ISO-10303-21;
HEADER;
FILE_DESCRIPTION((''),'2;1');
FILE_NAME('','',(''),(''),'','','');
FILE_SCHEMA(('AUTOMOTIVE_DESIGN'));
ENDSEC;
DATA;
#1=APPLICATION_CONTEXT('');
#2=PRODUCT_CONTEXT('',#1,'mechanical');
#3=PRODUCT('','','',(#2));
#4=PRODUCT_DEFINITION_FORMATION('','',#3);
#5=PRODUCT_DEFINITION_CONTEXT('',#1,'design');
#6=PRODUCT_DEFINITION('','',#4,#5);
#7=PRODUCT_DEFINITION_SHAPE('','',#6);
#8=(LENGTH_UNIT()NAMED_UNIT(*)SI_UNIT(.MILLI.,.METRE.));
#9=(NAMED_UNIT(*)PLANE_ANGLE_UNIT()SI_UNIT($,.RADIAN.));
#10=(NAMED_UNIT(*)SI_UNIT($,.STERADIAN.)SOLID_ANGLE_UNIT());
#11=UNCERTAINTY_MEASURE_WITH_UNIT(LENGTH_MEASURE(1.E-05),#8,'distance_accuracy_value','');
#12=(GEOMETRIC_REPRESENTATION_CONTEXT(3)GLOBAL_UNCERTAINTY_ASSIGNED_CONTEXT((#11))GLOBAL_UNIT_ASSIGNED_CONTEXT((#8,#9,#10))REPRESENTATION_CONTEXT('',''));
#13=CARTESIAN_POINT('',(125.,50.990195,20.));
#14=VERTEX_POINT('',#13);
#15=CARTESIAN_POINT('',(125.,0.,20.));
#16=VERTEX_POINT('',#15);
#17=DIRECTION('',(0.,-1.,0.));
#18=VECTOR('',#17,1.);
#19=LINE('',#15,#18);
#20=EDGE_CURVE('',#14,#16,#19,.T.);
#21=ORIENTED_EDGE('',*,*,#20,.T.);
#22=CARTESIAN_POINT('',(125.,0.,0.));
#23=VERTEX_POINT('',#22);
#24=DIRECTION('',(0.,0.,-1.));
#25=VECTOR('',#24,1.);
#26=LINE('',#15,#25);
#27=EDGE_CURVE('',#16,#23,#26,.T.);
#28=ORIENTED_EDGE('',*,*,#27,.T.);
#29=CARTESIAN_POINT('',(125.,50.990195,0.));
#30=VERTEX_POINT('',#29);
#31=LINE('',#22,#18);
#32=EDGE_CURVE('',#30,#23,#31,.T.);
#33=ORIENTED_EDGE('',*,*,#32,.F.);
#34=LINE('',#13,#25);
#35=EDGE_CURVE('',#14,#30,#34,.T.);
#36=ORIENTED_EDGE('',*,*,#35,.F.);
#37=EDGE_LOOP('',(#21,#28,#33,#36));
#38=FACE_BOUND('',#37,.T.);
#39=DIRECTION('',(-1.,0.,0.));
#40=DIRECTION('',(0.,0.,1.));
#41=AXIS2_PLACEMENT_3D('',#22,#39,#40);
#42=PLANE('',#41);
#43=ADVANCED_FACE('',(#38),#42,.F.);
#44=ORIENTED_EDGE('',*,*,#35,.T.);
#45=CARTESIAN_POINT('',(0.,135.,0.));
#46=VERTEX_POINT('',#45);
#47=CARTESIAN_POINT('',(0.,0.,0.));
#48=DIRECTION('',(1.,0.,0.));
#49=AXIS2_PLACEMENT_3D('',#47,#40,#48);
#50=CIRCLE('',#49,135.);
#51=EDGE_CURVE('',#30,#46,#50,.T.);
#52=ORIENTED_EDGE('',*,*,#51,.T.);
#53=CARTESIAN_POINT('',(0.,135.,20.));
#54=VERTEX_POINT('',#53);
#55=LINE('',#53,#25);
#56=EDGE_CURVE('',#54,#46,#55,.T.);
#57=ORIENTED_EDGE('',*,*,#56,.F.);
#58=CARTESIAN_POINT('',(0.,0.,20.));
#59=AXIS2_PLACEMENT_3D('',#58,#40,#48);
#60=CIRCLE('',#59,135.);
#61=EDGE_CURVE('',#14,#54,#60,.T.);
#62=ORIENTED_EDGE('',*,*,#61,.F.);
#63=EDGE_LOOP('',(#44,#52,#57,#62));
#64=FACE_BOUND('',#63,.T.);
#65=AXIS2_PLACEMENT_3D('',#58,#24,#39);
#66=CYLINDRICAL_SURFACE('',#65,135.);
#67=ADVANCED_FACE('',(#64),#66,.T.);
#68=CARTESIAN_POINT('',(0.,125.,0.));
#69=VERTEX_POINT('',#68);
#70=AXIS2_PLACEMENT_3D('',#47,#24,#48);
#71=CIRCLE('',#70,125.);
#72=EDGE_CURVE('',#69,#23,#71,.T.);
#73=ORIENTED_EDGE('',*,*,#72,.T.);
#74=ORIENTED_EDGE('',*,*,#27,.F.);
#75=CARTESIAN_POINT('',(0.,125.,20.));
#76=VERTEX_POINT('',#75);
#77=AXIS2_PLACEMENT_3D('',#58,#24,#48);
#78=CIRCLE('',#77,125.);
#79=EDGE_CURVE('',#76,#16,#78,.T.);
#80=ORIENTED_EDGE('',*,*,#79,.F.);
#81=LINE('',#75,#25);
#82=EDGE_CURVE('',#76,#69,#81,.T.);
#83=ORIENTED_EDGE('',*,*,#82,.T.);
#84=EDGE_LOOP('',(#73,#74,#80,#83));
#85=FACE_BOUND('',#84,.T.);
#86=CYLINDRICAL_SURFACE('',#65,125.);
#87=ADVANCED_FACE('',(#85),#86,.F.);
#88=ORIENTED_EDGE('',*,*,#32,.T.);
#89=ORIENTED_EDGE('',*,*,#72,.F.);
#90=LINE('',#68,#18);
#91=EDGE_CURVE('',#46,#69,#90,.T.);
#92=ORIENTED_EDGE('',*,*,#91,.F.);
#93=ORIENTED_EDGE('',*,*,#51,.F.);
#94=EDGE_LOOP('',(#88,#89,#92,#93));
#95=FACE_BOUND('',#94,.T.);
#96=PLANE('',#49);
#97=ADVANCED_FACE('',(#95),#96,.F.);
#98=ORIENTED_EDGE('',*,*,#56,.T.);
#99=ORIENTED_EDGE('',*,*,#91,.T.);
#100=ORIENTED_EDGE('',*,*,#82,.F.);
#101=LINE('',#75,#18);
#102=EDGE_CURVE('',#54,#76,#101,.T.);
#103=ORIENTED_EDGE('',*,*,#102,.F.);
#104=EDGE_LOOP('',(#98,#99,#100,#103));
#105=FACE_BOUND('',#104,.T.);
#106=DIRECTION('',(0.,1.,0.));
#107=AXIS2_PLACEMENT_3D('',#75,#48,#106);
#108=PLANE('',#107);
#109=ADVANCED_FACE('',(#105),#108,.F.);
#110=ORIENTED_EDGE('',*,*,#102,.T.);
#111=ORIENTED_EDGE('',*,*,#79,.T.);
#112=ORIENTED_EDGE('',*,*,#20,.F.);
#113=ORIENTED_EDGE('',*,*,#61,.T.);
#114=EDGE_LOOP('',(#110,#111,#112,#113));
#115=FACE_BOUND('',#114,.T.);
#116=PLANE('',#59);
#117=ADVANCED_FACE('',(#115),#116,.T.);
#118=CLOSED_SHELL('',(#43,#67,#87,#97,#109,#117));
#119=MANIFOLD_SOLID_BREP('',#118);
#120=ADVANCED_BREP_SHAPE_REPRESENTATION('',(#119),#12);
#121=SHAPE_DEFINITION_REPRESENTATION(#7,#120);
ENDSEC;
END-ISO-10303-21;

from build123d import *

# Parameters (mm, degrees)
BOSS_EXTRU_1_DEPTH           = 20
ENL_V_MAT_EXTRU_1_DEPTH      = 192.963538205
ENL_V_MAT_EXTRU_1_DEPTH_BACK = 192.963538205
ESQUISSE2_W                  = 10
ESQUISSE2_H                  = 80


with BuildPart() as part:
    # Esquisse1 → Boss.-Extru.1 (new body)
    with BuildSketch(Plane.XY):
        with BuildLine():
            Line((125, 0), (135, 0))
            ThreePointArc((135, 0), (95.45941546, 95.45941546), (0, 135))
            Line((0, 135), (0, 125))
            ThreePointArc((0, 125), (88.388347648, 88.388347648), (125, 0))
        make_face()
    extrude(amount=BOSS_EXTRU_1_DEPTH)

    # Esquisse2 → Enlèv. mat.-Extru.1 (cut, two sides: drawn at the far end of the back side and taken through both)
    with BuildSketch(Plane.XY.offset(20).offset(-ENL_V_MAT_EXTRU_1_DEPTH_BACK)):
        with Locations((130, 40)):
            Rectangle(ESQUISSE2_W, ESQUISSE2_H)
    extrude(amount=ENL_V_MAT_EXTRU_1_DEPTH + ENL_V_MAT_EXTRU_1_DEPTH_BACK, mode=Mode.SUBTRACT)


solid = part.part
